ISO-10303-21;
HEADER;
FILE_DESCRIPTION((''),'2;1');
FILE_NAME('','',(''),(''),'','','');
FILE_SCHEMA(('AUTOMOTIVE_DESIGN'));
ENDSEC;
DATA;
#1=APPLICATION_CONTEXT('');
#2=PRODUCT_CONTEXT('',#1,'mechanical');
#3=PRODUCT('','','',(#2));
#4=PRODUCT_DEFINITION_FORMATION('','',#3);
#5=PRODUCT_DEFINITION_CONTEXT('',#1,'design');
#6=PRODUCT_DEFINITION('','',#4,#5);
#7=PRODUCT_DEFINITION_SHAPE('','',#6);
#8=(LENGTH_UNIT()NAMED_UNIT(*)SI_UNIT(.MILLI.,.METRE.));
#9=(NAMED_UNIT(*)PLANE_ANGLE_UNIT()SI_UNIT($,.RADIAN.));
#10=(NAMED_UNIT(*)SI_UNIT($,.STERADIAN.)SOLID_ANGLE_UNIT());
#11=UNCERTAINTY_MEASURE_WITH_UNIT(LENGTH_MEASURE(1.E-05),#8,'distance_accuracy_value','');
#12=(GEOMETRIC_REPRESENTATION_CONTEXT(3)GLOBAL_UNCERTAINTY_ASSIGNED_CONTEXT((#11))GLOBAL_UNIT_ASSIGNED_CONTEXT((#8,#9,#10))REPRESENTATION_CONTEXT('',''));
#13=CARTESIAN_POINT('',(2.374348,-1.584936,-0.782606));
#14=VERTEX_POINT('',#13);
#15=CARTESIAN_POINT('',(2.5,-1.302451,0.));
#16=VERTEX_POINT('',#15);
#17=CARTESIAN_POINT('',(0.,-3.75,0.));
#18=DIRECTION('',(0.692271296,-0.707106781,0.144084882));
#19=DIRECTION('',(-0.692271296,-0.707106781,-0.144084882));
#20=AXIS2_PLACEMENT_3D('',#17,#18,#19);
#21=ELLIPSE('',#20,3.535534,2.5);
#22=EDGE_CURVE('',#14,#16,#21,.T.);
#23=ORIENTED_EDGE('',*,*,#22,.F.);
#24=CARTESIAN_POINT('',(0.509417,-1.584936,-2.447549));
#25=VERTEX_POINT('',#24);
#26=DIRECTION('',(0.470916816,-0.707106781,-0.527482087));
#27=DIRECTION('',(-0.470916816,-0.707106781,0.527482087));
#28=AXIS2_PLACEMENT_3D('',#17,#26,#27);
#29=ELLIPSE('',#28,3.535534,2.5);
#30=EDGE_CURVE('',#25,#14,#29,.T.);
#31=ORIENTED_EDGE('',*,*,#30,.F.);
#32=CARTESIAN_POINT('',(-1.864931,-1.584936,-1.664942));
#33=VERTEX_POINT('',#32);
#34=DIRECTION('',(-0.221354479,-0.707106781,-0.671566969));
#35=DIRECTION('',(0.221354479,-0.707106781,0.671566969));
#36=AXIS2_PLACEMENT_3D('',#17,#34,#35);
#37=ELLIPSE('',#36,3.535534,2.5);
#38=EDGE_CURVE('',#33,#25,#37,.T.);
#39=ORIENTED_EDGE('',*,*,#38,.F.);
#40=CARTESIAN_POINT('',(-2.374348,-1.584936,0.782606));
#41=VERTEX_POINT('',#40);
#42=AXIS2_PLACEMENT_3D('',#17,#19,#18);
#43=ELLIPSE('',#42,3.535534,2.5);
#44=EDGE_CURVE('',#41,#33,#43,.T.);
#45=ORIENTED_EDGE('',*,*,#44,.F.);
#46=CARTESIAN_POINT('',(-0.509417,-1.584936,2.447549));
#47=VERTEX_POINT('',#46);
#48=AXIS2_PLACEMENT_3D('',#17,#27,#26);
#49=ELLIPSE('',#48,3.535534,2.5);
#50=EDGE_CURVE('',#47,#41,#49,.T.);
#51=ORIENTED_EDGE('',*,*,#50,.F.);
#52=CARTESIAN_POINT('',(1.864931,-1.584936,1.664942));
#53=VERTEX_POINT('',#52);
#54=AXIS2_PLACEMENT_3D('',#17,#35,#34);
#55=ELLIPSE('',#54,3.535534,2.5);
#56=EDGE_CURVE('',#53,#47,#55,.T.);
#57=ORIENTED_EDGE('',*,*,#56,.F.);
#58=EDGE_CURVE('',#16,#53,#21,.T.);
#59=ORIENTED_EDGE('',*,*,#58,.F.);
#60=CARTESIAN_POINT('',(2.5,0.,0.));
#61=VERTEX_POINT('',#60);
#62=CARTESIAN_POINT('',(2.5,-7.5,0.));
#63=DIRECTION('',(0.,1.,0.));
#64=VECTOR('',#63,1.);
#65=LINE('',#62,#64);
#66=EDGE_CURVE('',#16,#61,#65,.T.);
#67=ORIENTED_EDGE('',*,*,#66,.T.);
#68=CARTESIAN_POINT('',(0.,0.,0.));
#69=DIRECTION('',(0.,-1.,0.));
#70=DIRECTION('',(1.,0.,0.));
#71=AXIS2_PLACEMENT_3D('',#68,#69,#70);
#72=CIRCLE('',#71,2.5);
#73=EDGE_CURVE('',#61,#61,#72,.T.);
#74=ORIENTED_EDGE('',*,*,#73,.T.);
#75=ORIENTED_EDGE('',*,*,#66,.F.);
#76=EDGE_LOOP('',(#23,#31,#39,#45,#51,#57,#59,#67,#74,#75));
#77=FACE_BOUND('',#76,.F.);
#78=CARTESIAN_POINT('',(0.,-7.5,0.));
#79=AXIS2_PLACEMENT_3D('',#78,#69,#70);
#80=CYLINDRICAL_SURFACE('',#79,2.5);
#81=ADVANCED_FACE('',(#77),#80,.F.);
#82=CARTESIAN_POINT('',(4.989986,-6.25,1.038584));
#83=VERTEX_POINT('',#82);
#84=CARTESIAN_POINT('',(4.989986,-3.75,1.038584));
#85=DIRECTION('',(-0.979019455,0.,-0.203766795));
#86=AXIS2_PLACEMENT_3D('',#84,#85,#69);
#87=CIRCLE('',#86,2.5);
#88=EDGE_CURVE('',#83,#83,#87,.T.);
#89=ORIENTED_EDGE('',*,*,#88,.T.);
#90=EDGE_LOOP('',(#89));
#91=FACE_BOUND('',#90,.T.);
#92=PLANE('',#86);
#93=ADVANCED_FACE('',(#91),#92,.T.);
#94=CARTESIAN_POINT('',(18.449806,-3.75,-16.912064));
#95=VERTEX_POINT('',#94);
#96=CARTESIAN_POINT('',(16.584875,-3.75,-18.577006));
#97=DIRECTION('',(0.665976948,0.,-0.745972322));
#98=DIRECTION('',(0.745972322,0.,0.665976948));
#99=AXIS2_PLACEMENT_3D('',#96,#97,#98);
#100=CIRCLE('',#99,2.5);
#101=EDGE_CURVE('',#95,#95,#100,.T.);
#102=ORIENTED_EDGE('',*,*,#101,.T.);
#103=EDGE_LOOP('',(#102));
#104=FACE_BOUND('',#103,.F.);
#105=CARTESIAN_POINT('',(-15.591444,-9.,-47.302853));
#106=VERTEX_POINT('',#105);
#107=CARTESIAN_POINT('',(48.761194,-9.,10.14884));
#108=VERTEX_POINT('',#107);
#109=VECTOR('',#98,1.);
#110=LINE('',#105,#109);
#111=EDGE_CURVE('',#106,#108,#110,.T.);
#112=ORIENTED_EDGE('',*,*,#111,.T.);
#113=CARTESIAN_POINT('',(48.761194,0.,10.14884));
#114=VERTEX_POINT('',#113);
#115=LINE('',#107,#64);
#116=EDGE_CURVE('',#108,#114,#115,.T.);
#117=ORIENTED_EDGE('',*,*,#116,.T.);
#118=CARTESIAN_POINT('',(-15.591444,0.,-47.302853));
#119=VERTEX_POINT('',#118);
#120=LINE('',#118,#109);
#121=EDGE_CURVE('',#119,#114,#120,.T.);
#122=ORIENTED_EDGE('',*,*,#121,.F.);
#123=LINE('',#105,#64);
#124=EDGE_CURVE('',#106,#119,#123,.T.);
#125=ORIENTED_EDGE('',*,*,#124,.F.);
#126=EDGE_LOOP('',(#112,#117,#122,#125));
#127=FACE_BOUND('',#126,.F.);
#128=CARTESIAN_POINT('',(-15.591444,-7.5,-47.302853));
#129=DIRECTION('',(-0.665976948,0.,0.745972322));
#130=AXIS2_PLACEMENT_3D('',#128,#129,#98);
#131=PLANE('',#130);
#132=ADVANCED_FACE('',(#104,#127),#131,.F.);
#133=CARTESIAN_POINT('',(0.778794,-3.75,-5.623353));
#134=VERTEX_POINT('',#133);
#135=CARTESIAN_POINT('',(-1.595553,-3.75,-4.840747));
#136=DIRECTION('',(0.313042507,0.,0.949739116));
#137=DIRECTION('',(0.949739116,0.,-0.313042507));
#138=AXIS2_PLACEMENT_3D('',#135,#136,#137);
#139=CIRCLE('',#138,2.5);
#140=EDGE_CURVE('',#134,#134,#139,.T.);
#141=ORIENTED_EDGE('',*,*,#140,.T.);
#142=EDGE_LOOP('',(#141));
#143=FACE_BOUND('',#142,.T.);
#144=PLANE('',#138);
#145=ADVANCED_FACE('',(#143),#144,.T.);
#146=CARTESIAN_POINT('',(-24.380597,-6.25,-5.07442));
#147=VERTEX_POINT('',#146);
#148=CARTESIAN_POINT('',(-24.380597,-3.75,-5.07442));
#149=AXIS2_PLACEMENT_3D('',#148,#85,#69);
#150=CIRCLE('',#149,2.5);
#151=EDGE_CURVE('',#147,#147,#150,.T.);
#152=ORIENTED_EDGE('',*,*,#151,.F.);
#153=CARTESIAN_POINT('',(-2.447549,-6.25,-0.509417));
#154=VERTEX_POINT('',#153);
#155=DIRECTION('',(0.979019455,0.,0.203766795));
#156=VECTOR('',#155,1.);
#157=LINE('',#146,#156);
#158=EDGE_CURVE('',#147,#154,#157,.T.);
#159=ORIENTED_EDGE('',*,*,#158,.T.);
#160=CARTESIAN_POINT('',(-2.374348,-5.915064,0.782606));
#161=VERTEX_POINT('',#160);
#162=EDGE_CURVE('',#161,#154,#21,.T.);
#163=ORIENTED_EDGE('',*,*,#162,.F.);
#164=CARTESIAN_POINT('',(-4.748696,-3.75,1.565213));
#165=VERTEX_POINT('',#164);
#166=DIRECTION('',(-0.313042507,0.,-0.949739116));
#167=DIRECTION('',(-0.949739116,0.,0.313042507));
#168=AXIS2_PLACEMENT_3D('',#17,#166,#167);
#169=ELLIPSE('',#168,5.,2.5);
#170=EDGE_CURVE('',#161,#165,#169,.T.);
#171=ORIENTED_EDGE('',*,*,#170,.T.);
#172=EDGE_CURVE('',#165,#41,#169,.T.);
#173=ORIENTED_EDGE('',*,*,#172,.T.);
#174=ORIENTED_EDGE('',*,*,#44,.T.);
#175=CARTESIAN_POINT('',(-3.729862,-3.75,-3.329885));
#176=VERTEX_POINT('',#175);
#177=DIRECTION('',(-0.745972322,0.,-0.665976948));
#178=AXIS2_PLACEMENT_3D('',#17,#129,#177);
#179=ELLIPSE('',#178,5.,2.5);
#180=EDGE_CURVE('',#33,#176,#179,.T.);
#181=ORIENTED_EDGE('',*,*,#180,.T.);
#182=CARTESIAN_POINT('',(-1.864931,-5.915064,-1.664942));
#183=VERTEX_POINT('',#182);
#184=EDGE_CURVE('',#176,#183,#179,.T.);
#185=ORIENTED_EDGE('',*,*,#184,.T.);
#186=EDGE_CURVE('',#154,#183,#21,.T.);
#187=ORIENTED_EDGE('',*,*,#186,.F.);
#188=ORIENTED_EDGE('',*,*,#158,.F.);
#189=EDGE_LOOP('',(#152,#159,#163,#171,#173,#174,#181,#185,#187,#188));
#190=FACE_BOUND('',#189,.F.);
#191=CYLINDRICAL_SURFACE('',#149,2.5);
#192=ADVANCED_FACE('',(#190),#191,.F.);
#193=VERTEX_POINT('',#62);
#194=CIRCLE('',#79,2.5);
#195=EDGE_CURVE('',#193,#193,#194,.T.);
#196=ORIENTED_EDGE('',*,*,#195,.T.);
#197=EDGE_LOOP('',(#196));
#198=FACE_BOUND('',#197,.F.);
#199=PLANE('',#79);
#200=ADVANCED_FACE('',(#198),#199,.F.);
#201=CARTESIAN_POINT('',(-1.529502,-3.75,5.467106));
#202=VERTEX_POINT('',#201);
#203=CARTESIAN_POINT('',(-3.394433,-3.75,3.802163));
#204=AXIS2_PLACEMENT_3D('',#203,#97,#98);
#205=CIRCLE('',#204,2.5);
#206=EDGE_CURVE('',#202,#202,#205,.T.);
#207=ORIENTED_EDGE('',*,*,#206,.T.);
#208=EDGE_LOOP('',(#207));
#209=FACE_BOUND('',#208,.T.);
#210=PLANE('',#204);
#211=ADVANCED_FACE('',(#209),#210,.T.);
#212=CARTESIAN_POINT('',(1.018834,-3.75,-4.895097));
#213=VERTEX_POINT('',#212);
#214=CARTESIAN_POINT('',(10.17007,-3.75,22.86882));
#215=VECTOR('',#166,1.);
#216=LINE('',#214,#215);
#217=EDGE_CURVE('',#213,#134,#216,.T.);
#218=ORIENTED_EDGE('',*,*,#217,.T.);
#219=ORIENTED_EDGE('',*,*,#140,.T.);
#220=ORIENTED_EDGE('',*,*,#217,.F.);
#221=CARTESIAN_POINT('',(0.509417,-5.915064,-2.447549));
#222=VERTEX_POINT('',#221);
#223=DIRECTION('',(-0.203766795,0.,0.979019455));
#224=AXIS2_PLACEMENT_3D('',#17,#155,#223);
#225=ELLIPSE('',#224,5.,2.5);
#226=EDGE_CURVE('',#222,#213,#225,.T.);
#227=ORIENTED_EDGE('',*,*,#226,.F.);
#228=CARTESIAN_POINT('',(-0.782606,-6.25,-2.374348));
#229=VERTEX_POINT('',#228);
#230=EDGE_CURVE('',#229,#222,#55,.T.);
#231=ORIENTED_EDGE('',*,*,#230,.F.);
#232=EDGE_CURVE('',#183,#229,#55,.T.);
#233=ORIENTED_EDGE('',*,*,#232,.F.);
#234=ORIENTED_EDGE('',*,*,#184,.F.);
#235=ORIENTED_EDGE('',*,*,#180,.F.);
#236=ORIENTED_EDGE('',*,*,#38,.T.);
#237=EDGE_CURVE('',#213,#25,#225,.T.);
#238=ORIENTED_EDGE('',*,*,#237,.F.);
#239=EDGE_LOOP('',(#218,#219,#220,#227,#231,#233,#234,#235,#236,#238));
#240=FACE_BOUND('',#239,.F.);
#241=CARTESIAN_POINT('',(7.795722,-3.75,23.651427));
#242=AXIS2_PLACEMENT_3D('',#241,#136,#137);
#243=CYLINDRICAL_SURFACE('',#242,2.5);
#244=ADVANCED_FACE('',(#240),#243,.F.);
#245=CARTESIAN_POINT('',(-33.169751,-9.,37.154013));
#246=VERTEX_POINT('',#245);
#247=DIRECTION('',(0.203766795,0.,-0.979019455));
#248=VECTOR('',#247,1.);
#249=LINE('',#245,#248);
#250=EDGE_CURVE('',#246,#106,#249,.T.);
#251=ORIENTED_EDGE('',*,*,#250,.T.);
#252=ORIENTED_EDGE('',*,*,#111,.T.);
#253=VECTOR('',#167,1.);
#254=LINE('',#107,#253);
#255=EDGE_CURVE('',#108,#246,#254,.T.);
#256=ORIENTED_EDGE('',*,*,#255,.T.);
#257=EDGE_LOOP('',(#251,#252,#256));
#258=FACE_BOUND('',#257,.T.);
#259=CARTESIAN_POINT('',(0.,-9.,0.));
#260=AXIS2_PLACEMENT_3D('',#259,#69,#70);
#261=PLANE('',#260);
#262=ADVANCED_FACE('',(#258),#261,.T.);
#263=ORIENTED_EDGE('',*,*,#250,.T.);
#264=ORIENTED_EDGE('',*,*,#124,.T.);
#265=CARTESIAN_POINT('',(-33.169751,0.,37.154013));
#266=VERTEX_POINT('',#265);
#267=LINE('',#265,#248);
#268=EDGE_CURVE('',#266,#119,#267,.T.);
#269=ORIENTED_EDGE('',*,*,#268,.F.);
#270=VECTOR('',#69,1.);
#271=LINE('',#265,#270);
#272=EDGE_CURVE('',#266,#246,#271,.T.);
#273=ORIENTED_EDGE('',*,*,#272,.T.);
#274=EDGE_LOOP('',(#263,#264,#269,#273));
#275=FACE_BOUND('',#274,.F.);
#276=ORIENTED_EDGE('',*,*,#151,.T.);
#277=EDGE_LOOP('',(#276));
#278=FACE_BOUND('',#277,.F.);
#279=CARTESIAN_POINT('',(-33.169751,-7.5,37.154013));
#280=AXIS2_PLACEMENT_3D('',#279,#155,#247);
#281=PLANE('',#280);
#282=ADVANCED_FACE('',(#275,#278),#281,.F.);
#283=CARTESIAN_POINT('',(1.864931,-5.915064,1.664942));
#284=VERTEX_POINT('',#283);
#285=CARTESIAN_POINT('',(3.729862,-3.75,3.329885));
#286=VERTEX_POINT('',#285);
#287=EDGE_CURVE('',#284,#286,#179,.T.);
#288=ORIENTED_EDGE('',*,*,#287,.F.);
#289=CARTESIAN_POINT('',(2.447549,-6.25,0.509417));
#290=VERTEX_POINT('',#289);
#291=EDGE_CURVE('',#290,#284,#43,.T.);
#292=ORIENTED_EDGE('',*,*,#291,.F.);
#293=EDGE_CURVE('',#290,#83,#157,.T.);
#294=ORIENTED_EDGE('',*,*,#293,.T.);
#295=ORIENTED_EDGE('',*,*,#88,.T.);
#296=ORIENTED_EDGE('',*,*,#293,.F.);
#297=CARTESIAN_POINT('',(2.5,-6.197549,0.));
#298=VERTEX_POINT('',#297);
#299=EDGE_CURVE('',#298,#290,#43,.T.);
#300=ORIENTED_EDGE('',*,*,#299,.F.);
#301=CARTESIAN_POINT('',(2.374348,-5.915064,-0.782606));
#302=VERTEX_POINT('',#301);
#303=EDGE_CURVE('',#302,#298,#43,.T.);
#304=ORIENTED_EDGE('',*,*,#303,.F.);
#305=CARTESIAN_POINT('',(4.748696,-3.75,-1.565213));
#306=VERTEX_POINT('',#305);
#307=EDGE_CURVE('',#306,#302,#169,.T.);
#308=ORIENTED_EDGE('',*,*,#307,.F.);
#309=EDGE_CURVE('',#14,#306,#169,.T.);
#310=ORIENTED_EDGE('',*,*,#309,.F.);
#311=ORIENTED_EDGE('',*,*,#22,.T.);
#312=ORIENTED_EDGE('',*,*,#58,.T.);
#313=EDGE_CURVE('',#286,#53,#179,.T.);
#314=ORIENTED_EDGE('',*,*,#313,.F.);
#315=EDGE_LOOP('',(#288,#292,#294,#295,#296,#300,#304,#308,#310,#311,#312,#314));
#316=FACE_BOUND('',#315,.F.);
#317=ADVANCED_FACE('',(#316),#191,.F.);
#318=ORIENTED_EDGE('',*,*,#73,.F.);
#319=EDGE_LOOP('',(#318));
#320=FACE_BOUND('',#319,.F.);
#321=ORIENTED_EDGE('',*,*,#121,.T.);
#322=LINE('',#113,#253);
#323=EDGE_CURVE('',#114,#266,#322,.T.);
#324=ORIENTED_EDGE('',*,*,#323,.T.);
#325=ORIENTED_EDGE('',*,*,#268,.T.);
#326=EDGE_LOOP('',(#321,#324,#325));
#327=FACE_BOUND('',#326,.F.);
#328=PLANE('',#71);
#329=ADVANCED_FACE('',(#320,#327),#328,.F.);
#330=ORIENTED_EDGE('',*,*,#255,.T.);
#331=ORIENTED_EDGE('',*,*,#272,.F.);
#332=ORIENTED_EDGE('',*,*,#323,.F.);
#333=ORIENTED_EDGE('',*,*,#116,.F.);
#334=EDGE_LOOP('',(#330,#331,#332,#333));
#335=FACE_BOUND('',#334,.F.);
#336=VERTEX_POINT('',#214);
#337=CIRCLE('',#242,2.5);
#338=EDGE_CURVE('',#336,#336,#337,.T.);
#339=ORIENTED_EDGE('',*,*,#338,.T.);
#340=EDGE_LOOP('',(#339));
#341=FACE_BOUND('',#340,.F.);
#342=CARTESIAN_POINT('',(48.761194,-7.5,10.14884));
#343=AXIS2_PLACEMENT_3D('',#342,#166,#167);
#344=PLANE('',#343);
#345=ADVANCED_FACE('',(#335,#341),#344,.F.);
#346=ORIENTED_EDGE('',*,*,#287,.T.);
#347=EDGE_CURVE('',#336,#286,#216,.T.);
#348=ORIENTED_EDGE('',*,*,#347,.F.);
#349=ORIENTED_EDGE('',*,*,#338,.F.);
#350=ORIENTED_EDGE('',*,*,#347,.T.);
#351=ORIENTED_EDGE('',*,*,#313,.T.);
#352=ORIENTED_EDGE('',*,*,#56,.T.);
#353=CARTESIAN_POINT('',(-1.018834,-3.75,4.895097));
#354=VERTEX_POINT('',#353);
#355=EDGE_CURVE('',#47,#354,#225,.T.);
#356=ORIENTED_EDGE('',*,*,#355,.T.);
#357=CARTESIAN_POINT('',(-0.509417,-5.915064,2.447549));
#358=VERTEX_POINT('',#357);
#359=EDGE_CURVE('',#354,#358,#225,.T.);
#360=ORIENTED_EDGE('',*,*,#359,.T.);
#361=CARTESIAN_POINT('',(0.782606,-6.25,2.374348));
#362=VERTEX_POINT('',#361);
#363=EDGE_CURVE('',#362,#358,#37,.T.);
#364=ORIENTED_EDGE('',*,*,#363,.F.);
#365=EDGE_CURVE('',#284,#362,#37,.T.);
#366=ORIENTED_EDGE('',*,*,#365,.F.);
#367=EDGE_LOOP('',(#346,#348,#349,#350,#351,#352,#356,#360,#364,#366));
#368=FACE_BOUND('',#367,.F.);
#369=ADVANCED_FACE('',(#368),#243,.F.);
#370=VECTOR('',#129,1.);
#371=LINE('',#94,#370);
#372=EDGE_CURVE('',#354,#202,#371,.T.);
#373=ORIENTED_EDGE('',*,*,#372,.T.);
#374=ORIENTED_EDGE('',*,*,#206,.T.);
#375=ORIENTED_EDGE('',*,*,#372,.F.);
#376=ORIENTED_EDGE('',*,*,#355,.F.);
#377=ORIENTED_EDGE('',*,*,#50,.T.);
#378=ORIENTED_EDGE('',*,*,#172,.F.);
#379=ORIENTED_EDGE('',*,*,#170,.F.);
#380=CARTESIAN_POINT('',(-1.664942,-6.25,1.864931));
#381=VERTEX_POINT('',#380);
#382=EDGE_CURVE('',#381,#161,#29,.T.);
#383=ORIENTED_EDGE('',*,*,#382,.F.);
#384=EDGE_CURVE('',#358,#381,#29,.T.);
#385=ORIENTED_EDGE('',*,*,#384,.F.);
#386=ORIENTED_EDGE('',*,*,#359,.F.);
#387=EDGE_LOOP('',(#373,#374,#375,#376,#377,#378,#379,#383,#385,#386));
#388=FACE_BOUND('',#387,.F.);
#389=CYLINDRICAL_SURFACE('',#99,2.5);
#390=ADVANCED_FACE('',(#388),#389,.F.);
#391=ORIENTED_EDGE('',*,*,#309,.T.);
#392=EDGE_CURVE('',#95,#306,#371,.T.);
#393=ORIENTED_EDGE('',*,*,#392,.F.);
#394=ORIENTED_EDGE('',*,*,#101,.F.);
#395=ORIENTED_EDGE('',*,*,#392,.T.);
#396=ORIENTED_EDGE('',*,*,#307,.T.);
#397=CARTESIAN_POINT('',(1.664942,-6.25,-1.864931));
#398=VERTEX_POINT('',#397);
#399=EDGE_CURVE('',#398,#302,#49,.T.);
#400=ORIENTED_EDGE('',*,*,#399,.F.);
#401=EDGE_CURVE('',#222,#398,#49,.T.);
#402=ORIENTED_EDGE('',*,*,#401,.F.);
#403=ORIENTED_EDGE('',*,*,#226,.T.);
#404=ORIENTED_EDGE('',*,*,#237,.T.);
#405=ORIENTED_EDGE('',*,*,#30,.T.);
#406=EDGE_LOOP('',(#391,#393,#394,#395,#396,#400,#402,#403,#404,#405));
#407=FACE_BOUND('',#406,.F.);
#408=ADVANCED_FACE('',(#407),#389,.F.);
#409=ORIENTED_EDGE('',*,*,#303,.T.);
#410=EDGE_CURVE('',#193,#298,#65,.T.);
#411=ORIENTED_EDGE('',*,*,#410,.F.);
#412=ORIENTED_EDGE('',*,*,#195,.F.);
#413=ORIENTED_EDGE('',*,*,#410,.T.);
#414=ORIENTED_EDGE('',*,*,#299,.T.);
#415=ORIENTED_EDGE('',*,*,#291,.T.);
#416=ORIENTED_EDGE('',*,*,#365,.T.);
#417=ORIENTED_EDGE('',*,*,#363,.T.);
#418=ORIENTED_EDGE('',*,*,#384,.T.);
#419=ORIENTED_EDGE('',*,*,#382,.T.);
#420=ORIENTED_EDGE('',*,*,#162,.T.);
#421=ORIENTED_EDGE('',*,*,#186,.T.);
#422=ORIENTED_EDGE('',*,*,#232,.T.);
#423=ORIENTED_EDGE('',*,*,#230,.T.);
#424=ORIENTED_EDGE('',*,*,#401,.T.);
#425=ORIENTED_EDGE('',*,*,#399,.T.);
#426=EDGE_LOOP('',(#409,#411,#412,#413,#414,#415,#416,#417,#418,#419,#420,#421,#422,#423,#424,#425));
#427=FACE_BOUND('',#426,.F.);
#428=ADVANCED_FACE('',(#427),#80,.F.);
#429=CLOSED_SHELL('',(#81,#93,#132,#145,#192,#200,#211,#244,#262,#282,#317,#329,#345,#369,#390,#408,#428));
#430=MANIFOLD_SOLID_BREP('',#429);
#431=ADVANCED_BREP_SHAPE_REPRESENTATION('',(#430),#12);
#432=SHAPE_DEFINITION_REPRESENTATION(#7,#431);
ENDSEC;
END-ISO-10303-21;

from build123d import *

# Parameters (mm, degrees)
F1_DEPTH  = 7.5
F2_R      = 2.5
F3_DEPTH  = 25
F4_R      = 2.5
F5_DEPTH  = 30
F6_R      = 2.5
F7_DEPTH  = 30
F8_R      = 2.5
F9_DEPTH  = 30
F11_DEPTH = 1.5


with BuildPart() as f1:
    # F0 (on Front) → F1 (new body)
    with BuildSketch(Plane.XZ):
        Polygon((48.7611944014, 10.1488404912), (-33.169750885, 37.1540128248), (-15.5914435163, -47.3028533161), align=None)
    extrude(amount=F1_DEPTH)

    # F2 (on face) → F3 (cut)
    with BuildSketch(Plane.XZ.offset(7.5)):
        Circle(F2_R)
    extrude(amount=-F3_DEPTH, mode=Mode.SUBTRACT)

    # F4 (on face) → F5 (cut)
    with BuildSketch(Plane(origin=(-24.3805972007, 0, -5.0744202456), x_dir=(0, -1, 0), z_dir=(-0.9790194551, 0, -0.2037667947))):
        with Locations((3.75, 0)):
            Circle(F4_R)
    extrude(amount=-F5_DEPTH, mode=Mode.SUBTRACT)

    # F6 (on face) → F7 (cut)
    with BuildSketch(Plane(origin=(7.7957217582, 0, 23.651426658), x_dir=(0.9497391162, 0, -0.3130425069), z_dir=(0.3130425069, 0, 0.9497391162))):
        with Locations((0, -3.75)):
            Circle(F6_R)
    extrude(amount=-F7_DEPTH, mode=Mode.SUBTRACT)

    # F8 (on face) → F9 (cut)
    with BuildSketch(Plane(origin=(16.5848754425, 0, -18.5770064124), x_dir=(0.7459723216, 0, 0.6659769482), z_dir=(0.6659769482, 0, -0.7459723216))):
        with Locations((0, 3.75)):
            Circle(F8_R)
    extrude(amount=-F9_DEPTH, mode=Mode.SUBTRACT)

    # F10 (on face) → F11 (join)
    with BuildSketch(Plane.XZ.offset(7.5)):
        Polygon((48.7611944014, 10.1488404912), (-33.169750885, 37.1540128248), (-15.5914435163, -47.3028533161), align=None)
    extrude(amount=F11_DEPTH)


solid = f1.part
